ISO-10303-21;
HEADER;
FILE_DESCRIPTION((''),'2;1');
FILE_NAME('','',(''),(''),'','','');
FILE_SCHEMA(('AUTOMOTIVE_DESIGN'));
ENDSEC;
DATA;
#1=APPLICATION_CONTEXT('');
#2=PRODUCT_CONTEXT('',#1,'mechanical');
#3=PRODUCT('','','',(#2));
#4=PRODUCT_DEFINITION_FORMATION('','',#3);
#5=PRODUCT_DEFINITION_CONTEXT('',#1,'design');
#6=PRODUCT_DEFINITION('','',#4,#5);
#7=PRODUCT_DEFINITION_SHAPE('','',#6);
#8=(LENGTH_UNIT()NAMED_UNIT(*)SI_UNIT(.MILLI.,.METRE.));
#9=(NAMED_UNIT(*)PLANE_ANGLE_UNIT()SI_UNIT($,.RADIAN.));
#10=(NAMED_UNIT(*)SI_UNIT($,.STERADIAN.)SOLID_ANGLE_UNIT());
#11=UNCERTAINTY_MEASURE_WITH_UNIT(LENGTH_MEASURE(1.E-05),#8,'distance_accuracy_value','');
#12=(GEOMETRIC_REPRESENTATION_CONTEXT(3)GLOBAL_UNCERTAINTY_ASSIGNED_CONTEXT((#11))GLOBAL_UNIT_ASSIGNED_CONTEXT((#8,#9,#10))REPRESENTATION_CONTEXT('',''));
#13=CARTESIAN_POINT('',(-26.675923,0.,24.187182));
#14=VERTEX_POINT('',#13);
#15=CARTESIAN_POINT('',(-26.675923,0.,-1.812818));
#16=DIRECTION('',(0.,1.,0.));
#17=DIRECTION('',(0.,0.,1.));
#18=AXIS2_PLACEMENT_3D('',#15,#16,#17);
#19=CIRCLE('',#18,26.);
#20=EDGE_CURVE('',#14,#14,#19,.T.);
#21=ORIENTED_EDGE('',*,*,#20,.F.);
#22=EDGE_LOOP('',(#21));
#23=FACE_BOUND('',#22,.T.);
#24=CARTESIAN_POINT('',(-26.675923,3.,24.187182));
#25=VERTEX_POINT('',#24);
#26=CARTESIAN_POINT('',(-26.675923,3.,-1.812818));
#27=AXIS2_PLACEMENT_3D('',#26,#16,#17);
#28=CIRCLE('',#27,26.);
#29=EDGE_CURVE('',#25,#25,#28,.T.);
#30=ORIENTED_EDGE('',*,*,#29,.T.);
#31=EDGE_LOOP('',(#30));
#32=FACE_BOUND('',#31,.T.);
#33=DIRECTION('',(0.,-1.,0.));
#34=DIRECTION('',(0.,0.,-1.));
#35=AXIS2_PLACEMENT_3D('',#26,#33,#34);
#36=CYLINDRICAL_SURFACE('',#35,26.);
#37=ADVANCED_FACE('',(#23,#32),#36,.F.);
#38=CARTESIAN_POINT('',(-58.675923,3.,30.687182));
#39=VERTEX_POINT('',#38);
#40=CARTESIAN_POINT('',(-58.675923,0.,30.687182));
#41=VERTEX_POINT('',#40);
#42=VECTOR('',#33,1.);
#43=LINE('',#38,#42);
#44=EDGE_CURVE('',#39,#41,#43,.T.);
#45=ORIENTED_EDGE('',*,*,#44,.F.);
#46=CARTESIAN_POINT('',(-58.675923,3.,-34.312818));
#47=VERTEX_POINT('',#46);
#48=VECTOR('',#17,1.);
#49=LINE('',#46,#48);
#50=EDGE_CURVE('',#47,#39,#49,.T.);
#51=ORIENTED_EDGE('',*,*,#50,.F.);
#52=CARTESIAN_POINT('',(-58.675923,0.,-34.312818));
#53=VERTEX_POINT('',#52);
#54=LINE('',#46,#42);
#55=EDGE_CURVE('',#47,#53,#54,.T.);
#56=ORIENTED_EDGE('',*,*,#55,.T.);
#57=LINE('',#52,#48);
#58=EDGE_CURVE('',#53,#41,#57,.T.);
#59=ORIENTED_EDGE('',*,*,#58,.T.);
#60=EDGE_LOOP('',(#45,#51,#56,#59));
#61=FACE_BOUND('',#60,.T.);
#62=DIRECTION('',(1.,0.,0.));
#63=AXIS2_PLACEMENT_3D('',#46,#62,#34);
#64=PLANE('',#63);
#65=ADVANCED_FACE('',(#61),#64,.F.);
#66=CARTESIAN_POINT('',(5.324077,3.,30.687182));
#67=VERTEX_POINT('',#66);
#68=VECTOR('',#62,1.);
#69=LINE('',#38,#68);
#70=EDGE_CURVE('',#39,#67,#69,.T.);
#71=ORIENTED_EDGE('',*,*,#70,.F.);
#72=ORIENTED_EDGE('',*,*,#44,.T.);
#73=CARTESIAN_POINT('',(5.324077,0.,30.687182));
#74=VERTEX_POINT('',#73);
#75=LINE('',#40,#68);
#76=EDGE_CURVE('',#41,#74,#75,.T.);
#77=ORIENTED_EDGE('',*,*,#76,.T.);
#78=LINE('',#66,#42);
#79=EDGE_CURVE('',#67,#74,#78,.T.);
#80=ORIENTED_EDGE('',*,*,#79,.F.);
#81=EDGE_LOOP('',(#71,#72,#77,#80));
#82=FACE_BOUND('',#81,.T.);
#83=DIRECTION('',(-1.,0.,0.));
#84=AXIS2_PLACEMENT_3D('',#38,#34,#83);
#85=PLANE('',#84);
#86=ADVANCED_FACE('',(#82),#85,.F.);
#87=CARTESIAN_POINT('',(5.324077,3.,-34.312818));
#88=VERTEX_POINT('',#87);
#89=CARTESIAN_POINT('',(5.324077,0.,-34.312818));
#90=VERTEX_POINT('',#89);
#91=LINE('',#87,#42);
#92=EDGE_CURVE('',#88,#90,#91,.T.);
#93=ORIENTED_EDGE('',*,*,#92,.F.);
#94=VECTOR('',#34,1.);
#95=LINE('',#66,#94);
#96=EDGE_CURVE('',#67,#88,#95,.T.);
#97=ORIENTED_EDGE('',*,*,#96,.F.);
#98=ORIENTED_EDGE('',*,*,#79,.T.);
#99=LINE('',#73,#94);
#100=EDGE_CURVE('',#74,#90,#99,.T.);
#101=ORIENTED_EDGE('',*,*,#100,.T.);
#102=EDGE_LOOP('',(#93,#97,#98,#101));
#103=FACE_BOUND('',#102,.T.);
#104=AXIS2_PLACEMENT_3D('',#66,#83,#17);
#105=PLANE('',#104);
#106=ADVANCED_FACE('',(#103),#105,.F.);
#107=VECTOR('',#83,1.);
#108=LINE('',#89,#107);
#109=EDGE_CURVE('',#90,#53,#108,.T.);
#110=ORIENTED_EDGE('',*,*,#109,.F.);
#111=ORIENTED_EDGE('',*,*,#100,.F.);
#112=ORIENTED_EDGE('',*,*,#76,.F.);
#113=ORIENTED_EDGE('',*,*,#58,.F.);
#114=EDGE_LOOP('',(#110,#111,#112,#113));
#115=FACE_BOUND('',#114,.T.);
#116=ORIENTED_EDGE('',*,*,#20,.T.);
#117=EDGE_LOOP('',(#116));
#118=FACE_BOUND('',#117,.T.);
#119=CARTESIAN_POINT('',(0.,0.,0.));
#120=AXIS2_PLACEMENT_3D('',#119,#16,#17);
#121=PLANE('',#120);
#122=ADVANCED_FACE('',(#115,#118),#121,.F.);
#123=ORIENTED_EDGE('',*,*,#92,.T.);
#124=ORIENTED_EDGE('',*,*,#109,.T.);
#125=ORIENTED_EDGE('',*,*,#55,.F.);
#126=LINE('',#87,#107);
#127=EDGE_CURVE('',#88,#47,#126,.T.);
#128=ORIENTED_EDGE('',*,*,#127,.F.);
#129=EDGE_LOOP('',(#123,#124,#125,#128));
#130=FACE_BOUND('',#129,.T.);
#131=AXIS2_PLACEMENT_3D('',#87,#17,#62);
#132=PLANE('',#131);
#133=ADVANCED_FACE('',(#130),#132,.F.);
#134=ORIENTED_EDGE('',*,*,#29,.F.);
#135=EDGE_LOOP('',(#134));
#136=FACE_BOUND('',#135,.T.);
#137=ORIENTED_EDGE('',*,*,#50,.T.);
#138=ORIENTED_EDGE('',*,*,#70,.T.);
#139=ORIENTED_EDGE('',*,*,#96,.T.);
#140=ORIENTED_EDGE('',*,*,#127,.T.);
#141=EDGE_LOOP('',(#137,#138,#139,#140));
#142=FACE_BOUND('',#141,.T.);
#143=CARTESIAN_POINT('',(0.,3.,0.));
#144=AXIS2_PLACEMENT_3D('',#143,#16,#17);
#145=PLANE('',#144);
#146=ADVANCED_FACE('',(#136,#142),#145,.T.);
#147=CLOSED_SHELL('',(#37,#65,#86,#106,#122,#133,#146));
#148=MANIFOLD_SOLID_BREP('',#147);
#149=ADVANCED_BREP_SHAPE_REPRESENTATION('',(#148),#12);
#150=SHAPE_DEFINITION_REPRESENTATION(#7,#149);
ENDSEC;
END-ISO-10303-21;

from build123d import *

# Parameters (mm, degrees)
SKETCH4_W           = 64
SKETCH4_H           = 64.999999965
SKETCH4_R           = 26
BOSS_EXTRUDE2_DEPTH = 3


with BuildPart() as part:
    # Sketch4 → Boss-Extrude2 (new body)
    with BuildSketch(Plane(origin=(0, 0, 0), x_dir=(1, 0, 0), z_dir=(0, 1, 0))):
        with Locations((-26.675923108, 1.812817691)):
            Rectangle(SKETCH4_W, SKETCH4_H)
        with Locations(Location((-26.675923108, 1.812817562, 0), (0, 0, 270))):
            Circle(SKETCH4_R, mode=Mode.SUBTRACT)
    extrude(amount=BOSS_EXTRUDE2_DEPTH)


solid = part.part
